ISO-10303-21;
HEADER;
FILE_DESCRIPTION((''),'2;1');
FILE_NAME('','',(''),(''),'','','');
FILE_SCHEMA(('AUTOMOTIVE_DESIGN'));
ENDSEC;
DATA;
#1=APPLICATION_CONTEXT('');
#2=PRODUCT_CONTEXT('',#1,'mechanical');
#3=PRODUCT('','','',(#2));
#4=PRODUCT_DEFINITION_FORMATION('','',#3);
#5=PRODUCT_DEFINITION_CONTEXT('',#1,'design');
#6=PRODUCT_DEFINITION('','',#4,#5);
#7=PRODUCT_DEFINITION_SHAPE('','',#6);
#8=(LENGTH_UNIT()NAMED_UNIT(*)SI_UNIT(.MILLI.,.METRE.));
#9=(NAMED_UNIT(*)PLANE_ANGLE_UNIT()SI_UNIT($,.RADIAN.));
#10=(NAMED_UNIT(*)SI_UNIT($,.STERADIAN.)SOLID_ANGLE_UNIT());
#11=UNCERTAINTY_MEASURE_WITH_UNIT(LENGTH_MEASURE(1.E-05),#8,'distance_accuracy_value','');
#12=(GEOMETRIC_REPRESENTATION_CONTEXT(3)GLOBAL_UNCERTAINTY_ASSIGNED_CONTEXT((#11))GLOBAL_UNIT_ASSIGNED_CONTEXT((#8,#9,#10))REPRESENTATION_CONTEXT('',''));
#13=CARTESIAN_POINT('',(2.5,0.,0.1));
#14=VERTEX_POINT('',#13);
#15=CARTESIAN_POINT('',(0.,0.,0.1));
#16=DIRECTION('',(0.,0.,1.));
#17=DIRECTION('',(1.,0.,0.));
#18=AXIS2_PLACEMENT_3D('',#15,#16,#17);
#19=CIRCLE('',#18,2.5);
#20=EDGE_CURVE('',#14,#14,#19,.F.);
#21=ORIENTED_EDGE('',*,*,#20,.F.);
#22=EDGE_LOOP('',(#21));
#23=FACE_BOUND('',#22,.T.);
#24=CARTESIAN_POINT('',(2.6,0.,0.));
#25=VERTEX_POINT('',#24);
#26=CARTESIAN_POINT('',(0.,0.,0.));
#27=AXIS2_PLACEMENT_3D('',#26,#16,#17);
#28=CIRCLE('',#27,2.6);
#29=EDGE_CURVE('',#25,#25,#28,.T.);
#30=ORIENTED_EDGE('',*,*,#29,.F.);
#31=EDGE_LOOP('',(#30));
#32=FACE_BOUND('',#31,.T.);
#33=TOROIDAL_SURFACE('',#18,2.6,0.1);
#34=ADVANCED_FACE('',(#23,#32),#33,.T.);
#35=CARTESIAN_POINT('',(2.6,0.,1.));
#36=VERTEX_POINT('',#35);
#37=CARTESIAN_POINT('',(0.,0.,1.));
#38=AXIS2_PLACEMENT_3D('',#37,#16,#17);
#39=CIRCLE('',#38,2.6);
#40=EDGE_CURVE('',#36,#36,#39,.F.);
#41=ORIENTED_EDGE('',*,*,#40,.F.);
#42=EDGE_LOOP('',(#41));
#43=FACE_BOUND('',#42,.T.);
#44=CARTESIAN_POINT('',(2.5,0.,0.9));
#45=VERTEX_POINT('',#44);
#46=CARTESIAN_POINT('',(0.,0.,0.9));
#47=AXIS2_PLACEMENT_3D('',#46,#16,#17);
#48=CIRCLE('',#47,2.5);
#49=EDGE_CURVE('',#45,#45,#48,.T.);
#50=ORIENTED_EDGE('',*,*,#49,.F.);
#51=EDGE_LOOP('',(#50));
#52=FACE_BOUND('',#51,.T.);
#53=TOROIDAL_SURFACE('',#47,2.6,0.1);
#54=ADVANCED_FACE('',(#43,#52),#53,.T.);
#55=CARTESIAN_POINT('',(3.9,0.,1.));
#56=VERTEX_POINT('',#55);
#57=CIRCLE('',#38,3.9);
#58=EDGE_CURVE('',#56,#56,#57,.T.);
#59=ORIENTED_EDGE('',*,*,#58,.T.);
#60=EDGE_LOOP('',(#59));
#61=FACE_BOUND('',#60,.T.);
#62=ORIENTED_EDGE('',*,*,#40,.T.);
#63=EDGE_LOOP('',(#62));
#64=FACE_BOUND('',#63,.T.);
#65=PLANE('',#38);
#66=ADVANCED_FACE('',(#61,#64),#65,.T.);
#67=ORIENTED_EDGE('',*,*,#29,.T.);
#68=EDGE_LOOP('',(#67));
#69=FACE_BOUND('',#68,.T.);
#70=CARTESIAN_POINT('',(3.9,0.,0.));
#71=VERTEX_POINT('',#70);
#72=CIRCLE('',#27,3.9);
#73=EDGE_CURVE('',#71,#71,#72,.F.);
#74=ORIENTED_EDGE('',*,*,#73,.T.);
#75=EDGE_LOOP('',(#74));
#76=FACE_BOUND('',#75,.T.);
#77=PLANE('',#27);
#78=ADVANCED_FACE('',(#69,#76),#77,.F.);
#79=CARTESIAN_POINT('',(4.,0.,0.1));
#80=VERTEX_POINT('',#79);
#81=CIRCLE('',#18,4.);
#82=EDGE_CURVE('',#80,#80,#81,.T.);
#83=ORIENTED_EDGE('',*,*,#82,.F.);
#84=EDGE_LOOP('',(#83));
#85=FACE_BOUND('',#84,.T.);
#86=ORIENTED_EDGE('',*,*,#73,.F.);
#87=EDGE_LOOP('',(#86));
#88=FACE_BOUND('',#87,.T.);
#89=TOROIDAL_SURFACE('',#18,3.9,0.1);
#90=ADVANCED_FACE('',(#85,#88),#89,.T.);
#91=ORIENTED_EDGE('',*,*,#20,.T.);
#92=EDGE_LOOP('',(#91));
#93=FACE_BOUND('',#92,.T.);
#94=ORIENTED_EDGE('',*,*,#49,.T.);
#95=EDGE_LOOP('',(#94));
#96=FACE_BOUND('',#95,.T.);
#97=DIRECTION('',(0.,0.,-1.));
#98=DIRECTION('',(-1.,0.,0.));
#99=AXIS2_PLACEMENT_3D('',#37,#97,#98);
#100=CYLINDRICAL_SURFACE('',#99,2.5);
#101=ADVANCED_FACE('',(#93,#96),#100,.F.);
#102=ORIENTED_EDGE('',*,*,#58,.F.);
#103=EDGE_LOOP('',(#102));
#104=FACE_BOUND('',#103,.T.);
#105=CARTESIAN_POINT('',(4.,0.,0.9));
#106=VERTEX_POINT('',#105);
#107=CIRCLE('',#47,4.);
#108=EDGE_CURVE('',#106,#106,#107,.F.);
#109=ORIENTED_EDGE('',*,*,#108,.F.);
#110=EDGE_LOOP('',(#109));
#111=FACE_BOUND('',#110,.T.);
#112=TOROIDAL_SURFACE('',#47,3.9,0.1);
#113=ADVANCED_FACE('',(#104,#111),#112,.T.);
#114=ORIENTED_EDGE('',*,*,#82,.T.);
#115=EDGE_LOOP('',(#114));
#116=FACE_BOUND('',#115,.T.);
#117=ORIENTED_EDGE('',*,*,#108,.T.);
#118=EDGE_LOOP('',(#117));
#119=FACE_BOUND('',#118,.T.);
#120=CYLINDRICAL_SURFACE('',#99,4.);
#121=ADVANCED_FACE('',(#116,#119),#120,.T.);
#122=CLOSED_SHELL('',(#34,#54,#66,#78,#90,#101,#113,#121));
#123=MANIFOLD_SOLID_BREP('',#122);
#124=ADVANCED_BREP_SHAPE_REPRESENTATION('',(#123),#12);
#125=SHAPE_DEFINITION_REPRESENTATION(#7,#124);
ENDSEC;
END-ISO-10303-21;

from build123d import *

# Parameters (mm, degrees)
SKETCH1_R           = 4
SKETCH1_R_2         = 2.5
BOSS_EXTRUDE1_DEPTH = 1
FILLET1_R           = 0.1


with BuildPart() as part:
    # Sketch1 → Boss-Extrude1 (new body)
    with BuildSketch(Plane.XY):
        Circle(SKETCH1_R)
        Circle(SKETCH1_R_2, mode=Mode.SUBTRACT)
    extrude(amount=BOSS_EXTRUDE1_DEPTH)

    # Fillet1
    fillet1_edges = [part.edges().sort_by_distance(p)[0] for p in [
        (-4, 0, 0),
        (-4, 0, 1),
        (-2.5, 0, 0),
        (-2.5, 0, 1),
    ]]
    fillet(fillet1_edges, radius=FILLET1_R)


solid = part.part
